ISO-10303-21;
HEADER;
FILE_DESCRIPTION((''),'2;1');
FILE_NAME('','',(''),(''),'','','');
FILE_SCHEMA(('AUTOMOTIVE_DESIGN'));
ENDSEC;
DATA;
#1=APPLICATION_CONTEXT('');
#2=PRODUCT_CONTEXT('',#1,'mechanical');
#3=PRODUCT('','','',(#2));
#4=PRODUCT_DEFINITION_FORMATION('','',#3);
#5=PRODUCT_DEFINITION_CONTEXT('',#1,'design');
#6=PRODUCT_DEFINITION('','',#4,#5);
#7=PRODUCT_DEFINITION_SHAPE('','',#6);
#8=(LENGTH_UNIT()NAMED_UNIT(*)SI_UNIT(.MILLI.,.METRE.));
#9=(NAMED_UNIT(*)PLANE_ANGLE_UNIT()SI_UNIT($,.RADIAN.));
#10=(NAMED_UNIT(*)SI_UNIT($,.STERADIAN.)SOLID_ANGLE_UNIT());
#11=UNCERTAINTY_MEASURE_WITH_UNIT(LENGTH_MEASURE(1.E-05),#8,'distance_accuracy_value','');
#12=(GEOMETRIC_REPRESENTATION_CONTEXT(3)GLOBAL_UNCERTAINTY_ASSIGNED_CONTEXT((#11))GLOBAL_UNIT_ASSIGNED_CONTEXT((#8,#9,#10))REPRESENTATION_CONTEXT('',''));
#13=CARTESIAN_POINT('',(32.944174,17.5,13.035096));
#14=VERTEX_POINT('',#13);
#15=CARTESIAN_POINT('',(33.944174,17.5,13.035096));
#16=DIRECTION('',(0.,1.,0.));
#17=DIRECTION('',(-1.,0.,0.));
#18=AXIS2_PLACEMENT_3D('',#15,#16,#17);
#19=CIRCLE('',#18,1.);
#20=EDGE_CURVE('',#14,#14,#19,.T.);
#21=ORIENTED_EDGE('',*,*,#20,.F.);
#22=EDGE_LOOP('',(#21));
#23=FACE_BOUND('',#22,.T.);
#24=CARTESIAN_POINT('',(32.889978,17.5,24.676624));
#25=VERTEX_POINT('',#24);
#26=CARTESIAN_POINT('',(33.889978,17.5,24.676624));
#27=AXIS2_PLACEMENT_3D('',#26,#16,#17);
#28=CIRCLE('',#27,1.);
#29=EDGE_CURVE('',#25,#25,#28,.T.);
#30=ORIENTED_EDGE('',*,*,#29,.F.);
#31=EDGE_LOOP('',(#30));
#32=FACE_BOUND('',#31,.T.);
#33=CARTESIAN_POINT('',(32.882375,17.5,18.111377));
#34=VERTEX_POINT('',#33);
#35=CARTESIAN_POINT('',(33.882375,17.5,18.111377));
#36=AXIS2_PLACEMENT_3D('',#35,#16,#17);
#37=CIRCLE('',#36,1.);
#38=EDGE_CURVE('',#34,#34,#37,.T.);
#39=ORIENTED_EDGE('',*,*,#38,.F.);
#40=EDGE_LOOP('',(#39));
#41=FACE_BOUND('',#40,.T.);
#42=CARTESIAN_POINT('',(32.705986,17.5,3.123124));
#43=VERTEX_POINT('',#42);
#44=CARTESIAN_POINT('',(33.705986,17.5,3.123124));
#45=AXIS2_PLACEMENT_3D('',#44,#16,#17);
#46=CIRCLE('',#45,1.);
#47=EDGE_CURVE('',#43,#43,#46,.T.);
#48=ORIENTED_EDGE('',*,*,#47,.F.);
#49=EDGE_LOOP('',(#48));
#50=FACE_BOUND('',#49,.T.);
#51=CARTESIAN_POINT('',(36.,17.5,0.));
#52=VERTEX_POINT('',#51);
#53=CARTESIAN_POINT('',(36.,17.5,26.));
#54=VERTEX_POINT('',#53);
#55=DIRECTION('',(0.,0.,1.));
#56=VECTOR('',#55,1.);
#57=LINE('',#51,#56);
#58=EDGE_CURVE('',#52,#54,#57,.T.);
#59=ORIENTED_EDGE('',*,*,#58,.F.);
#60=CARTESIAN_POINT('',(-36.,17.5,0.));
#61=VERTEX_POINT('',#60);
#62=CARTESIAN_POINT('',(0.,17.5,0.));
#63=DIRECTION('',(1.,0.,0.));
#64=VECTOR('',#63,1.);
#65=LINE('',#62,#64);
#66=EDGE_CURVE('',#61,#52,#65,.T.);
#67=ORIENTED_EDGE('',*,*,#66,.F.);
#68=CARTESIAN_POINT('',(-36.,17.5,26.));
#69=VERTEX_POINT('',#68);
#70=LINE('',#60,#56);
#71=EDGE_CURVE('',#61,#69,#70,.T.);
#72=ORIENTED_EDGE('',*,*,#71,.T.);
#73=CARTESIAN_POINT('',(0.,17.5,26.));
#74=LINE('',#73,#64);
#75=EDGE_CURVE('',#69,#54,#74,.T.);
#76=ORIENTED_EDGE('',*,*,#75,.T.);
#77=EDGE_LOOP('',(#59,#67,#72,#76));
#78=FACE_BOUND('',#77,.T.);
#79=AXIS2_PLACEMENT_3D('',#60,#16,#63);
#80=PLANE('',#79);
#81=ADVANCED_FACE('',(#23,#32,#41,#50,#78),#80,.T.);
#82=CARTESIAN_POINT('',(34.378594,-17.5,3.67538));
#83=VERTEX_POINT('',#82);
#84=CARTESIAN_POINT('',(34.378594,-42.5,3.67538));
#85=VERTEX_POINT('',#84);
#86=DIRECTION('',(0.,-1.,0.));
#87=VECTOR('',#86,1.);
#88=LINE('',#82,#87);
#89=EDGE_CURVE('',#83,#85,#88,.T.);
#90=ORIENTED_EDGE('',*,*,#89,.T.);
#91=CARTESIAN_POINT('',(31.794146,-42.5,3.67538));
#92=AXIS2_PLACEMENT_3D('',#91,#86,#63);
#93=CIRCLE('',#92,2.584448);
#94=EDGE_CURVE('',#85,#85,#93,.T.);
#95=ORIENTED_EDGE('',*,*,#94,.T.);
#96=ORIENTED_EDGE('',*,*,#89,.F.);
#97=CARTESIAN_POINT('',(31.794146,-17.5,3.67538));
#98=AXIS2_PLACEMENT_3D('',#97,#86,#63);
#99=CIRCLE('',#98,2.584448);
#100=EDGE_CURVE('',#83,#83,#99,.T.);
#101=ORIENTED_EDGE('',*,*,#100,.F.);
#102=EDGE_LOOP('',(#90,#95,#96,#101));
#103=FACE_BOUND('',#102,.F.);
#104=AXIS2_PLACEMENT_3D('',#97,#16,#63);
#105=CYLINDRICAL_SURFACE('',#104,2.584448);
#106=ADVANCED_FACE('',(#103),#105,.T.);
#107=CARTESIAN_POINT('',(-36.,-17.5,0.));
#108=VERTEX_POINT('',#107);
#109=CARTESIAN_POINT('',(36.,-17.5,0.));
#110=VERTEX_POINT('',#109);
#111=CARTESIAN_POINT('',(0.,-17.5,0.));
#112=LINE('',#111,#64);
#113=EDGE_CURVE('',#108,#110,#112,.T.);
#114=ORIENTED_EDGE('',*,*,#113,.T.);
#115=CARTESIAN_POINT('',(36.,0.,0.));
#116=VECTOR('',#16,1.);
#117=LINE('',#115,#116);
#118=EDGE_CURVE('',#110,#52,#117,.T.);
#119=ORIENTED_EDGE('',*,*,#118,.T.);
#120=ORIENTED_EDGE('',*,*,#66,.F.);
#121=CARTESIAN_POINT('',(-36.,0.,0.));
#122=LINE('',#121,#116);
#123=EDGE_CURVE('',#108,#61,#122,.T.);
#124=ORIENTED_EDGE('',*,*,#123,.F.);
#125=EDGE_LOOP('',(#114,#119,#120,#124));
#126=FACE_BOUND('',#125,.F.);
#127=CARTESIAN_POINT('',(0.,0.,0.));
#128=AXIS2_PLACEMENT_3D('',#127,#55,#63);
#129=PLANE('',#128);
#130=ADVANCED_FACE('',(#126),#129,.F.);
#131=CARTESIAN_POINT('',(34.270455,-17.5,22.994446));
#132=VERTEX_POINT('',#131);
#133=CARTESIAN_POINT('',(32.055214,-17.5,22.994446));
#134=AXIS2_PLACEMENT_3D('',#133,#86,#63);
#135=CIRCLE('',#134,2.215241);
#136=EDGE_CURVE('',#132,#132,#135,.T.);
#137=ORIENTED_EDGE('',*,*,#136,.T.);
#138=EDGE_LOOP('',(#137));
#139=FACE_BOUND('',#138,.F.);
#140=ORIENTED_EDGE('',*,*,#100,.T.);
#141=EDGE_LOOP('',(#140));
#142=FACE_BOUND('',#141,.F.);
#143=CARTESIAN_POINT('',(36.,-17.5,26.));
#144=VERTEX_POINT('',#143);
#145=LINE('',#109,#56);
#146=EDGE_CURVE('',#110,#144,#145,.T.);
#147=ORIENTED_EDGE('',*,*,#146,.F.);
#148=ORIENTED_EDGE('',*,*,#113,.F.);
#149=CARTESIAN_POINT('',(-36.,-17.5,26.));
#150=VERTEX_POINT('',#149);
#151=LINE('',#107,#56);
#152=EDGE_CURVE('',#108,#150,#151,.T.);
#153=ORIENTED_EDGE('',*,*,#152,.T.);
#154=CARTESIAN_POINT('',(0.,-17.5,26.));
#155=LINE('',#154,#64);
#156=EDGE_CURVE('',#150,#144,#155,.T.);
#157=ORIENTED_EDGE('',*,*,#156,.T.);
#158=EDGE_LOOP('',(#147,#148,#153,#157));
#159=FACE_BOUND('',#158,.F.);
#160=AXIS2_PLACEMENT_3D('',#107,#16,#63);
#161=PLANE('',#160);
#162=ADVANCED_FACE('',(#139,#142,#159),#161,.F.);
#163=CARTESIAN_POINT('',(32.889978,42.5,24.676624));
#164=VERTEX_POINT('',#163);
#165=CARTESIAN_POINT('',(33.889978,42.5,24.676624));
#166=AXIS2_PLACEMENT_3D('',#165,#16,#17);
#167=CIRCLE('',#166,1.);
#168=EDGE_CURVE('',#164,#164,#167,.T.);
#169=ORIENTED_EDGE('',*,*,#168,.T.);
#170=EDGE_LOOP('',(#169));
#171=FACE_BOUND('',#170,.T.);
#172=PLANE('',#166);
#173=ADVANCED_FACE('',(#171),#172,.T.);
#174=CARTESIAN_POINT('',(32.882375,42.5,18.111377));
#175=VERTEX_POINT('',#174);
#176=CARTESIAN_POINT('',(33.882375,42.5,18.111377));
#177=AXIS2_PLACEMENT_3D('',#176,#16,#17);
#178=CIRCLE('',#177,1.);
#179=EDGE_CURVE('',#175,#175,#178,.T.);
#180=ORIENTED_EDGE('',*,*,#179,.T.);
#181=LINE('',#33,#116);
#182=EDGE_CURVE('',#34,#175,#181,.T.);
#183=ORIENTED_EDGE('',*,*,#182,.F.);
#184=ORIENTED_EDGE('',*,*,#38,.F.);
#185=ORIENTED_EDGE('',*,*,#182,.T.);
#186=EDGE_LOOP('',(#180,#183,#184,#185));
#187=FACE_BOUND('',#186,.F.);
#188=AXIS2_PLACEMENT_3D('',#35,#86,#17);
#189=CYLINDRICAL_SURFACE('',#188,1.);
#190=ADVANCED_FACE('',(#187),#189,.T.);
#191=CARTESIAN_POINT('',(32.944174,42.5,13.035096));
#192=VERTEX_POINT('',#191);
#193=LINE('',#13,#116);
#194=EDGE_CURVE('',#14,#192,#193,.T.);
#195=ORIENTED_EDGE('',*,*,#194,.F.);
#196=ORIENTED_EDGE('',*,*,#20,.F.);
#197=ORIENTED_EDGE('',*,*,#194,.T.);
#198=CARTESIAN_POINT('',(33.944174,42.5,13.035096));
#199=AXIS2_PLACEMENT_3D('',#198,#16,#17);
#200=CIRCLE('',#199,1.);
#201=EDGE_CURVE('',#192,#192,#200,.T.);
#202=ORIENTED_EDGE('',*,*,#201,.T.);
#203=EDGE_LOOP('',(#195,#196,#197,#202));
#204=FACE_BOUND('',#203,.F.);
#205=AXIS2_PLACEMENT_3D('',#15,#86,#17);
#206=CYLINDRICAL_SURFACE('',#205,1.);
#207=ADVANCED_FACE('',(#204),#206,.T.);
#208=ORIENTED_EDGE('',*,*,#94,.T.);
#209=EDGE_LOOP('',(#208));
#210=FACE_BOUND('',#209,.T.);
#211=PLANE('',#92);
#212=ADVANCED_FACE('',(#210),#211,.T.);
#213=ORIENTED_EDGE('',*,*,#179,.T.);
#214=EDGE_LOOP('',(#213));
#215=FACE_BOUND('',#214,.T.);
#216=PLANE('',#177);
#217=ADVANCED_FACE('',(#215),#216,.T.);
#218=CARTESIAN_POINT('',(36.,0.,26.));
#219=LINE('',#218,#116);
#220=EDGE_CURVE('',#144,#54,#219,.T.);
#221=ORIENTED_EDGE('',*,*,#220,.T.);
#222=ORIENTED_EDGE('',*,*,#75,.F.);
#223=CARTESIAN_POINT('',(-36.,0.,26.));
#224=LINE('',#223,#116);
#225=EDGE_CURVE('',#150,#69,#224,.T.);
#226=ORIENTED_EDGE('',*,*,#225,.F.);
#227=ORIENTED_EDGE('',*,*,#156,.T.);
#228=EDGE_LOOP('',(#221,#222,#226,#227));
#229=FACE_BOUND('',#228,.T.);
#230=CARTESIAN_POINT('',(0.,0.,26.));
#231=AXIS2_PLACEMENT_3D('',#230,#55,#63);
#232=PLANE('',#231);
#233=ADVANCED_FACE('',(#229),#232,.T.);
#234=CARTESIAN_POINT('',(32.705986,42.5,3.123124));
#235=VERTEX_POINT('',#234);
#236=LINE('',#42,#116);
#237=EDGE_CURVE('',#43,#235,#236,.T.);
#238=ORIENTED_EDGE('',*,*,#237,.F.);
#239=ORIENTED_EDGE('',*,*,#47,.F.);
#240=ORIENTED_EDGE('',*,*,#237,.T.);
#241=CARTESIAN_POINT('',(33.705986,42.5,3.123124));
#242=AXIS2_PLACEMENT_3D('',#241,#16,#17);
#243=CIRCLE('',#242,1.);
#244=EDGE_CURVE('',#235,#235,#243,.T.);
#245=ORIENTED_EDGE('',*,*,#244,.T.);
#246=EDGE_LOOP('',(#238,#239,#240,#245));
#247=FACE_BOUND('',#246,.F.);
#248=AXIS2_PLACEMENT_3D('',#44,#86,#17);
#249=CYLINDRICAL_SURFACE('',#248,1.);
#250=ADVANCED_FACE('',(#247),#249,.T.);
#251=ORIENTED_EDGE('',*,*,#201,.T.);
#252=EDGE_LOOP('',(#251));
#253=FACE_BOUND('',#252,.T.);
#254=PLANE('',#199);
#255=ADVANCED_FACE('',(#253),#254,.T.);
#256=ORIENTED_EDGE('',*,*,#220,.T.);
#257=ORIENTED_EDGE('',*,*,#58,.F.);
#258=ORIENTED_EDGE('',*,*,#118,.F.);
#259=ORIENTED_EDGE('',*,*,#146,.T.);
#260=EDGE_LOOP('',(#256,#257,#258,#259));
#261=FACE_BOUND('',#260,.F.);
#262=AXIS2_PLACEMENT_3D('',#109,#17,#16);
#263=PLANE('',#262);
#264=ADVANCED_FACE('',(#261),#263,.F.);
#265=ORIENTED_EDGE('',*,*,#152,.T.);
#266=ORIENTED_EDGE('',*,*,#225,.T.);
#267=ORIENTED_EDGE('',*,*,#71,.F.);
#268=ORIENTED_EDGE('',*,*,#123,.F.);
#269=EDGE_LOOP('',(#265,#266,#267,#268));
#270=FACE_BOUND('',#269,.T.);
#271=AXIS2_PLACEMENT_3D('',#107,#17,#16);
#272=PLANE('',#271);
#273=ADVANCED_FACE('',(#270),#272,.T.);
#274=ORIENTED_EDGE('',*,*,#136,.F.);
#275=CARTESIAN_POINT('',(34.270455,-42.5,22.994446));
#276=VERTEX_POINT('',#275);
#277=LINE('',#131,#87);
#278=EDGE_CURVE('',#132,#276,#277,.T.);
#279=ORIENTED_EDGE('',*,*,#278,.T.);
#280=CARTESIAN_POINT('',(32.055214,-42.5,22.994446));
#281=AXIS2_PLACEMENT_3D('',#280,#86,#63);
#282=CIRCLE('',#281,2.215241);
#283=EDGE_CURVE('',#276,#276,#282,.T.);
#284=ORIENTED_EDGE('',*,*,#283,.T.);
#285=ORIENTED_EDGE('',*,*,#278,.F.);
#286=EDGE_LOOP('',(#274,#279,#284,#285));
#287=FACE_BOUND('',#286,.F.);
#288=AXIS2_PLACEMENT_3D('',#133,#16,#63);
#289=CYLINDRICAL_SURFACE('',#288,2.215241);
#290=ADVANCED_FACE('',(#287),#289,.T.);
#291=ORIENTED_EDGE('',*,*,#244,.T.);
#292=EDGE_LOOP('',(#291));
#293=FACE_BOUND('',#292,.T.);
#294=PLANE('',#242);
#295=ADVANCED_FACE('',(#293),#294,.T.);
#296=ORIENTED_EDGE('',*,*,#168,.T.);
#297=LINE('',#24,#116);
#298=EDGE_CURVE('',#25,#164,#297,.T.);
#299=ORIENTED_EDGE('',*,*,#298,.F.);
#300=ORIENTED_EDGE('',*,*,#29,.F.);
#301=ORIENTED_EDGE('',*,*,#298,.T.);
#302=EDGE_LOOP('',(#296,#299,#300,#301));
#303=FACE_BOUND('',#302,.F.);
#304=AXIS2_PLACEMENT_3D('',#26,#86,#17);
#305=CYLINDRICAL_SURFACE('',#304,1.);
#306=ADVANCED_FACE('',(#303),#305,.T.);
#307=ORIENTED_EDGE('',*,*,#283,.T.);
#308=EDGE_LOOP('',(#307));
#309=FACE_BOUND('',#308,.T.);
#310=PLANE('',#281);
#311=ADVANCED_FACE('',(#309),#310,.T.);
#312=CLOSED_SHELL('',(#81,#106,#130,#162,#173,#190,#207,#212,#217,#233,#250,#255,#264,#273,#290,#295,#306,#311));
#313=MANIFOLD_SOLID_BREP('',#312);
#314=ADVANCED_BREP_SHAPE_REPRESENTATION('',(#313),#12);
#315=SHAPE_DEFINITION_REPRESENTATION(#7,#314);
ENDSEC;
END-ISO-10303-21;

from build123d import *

# Parameters (mm, degrees)
F0_W     = 72
F0_H     = 35
F1_DEPTH = 26
F2_R     = 2.215241
F2_R_2   = 2.584448
F3_DEPTH = 25
F4_R     = 1
F5_DEPTH = 25


with BuildPart() as f1:
    # F0 (on Top) → F1 (new body)
    with BuildSketch(Plane.XY):
        Rectangle(F0_W, F0_H)
    extrude(amount=F1_DEPTH)

    # F2 (on face) → F3 (join)
    with BuildSketch(Plane.XZ.offset(17.5)):
        with Locations((32.055214, 22.994446)):
            Circle(F2_R)
        with Locations((31.794146, 3.67538)):
            Circle(F2_R_2)
    extrude(amount=F3_DEPTH)

    # F4 (on face) → F5 (join)
    with BuildSketch(Plane(origin=(0, 17.5, 0), x_dir=(-1, 0, 0), z_dir=(0, 1, 0))):
        with Locations((-33.889978, 24.676624)):
            Circle(F4_R)
        with Locations((-33.882375, 18.111377)):
            Circle(F4_R)
        with Locations((-33.944174, 13.035096)):
            Circle(F4_R)
        with Locations((-33.705986, 3.123124)):
            Circle(F4_R)
    extrude(amount=F5_DEPTH)


solid = f1.part
